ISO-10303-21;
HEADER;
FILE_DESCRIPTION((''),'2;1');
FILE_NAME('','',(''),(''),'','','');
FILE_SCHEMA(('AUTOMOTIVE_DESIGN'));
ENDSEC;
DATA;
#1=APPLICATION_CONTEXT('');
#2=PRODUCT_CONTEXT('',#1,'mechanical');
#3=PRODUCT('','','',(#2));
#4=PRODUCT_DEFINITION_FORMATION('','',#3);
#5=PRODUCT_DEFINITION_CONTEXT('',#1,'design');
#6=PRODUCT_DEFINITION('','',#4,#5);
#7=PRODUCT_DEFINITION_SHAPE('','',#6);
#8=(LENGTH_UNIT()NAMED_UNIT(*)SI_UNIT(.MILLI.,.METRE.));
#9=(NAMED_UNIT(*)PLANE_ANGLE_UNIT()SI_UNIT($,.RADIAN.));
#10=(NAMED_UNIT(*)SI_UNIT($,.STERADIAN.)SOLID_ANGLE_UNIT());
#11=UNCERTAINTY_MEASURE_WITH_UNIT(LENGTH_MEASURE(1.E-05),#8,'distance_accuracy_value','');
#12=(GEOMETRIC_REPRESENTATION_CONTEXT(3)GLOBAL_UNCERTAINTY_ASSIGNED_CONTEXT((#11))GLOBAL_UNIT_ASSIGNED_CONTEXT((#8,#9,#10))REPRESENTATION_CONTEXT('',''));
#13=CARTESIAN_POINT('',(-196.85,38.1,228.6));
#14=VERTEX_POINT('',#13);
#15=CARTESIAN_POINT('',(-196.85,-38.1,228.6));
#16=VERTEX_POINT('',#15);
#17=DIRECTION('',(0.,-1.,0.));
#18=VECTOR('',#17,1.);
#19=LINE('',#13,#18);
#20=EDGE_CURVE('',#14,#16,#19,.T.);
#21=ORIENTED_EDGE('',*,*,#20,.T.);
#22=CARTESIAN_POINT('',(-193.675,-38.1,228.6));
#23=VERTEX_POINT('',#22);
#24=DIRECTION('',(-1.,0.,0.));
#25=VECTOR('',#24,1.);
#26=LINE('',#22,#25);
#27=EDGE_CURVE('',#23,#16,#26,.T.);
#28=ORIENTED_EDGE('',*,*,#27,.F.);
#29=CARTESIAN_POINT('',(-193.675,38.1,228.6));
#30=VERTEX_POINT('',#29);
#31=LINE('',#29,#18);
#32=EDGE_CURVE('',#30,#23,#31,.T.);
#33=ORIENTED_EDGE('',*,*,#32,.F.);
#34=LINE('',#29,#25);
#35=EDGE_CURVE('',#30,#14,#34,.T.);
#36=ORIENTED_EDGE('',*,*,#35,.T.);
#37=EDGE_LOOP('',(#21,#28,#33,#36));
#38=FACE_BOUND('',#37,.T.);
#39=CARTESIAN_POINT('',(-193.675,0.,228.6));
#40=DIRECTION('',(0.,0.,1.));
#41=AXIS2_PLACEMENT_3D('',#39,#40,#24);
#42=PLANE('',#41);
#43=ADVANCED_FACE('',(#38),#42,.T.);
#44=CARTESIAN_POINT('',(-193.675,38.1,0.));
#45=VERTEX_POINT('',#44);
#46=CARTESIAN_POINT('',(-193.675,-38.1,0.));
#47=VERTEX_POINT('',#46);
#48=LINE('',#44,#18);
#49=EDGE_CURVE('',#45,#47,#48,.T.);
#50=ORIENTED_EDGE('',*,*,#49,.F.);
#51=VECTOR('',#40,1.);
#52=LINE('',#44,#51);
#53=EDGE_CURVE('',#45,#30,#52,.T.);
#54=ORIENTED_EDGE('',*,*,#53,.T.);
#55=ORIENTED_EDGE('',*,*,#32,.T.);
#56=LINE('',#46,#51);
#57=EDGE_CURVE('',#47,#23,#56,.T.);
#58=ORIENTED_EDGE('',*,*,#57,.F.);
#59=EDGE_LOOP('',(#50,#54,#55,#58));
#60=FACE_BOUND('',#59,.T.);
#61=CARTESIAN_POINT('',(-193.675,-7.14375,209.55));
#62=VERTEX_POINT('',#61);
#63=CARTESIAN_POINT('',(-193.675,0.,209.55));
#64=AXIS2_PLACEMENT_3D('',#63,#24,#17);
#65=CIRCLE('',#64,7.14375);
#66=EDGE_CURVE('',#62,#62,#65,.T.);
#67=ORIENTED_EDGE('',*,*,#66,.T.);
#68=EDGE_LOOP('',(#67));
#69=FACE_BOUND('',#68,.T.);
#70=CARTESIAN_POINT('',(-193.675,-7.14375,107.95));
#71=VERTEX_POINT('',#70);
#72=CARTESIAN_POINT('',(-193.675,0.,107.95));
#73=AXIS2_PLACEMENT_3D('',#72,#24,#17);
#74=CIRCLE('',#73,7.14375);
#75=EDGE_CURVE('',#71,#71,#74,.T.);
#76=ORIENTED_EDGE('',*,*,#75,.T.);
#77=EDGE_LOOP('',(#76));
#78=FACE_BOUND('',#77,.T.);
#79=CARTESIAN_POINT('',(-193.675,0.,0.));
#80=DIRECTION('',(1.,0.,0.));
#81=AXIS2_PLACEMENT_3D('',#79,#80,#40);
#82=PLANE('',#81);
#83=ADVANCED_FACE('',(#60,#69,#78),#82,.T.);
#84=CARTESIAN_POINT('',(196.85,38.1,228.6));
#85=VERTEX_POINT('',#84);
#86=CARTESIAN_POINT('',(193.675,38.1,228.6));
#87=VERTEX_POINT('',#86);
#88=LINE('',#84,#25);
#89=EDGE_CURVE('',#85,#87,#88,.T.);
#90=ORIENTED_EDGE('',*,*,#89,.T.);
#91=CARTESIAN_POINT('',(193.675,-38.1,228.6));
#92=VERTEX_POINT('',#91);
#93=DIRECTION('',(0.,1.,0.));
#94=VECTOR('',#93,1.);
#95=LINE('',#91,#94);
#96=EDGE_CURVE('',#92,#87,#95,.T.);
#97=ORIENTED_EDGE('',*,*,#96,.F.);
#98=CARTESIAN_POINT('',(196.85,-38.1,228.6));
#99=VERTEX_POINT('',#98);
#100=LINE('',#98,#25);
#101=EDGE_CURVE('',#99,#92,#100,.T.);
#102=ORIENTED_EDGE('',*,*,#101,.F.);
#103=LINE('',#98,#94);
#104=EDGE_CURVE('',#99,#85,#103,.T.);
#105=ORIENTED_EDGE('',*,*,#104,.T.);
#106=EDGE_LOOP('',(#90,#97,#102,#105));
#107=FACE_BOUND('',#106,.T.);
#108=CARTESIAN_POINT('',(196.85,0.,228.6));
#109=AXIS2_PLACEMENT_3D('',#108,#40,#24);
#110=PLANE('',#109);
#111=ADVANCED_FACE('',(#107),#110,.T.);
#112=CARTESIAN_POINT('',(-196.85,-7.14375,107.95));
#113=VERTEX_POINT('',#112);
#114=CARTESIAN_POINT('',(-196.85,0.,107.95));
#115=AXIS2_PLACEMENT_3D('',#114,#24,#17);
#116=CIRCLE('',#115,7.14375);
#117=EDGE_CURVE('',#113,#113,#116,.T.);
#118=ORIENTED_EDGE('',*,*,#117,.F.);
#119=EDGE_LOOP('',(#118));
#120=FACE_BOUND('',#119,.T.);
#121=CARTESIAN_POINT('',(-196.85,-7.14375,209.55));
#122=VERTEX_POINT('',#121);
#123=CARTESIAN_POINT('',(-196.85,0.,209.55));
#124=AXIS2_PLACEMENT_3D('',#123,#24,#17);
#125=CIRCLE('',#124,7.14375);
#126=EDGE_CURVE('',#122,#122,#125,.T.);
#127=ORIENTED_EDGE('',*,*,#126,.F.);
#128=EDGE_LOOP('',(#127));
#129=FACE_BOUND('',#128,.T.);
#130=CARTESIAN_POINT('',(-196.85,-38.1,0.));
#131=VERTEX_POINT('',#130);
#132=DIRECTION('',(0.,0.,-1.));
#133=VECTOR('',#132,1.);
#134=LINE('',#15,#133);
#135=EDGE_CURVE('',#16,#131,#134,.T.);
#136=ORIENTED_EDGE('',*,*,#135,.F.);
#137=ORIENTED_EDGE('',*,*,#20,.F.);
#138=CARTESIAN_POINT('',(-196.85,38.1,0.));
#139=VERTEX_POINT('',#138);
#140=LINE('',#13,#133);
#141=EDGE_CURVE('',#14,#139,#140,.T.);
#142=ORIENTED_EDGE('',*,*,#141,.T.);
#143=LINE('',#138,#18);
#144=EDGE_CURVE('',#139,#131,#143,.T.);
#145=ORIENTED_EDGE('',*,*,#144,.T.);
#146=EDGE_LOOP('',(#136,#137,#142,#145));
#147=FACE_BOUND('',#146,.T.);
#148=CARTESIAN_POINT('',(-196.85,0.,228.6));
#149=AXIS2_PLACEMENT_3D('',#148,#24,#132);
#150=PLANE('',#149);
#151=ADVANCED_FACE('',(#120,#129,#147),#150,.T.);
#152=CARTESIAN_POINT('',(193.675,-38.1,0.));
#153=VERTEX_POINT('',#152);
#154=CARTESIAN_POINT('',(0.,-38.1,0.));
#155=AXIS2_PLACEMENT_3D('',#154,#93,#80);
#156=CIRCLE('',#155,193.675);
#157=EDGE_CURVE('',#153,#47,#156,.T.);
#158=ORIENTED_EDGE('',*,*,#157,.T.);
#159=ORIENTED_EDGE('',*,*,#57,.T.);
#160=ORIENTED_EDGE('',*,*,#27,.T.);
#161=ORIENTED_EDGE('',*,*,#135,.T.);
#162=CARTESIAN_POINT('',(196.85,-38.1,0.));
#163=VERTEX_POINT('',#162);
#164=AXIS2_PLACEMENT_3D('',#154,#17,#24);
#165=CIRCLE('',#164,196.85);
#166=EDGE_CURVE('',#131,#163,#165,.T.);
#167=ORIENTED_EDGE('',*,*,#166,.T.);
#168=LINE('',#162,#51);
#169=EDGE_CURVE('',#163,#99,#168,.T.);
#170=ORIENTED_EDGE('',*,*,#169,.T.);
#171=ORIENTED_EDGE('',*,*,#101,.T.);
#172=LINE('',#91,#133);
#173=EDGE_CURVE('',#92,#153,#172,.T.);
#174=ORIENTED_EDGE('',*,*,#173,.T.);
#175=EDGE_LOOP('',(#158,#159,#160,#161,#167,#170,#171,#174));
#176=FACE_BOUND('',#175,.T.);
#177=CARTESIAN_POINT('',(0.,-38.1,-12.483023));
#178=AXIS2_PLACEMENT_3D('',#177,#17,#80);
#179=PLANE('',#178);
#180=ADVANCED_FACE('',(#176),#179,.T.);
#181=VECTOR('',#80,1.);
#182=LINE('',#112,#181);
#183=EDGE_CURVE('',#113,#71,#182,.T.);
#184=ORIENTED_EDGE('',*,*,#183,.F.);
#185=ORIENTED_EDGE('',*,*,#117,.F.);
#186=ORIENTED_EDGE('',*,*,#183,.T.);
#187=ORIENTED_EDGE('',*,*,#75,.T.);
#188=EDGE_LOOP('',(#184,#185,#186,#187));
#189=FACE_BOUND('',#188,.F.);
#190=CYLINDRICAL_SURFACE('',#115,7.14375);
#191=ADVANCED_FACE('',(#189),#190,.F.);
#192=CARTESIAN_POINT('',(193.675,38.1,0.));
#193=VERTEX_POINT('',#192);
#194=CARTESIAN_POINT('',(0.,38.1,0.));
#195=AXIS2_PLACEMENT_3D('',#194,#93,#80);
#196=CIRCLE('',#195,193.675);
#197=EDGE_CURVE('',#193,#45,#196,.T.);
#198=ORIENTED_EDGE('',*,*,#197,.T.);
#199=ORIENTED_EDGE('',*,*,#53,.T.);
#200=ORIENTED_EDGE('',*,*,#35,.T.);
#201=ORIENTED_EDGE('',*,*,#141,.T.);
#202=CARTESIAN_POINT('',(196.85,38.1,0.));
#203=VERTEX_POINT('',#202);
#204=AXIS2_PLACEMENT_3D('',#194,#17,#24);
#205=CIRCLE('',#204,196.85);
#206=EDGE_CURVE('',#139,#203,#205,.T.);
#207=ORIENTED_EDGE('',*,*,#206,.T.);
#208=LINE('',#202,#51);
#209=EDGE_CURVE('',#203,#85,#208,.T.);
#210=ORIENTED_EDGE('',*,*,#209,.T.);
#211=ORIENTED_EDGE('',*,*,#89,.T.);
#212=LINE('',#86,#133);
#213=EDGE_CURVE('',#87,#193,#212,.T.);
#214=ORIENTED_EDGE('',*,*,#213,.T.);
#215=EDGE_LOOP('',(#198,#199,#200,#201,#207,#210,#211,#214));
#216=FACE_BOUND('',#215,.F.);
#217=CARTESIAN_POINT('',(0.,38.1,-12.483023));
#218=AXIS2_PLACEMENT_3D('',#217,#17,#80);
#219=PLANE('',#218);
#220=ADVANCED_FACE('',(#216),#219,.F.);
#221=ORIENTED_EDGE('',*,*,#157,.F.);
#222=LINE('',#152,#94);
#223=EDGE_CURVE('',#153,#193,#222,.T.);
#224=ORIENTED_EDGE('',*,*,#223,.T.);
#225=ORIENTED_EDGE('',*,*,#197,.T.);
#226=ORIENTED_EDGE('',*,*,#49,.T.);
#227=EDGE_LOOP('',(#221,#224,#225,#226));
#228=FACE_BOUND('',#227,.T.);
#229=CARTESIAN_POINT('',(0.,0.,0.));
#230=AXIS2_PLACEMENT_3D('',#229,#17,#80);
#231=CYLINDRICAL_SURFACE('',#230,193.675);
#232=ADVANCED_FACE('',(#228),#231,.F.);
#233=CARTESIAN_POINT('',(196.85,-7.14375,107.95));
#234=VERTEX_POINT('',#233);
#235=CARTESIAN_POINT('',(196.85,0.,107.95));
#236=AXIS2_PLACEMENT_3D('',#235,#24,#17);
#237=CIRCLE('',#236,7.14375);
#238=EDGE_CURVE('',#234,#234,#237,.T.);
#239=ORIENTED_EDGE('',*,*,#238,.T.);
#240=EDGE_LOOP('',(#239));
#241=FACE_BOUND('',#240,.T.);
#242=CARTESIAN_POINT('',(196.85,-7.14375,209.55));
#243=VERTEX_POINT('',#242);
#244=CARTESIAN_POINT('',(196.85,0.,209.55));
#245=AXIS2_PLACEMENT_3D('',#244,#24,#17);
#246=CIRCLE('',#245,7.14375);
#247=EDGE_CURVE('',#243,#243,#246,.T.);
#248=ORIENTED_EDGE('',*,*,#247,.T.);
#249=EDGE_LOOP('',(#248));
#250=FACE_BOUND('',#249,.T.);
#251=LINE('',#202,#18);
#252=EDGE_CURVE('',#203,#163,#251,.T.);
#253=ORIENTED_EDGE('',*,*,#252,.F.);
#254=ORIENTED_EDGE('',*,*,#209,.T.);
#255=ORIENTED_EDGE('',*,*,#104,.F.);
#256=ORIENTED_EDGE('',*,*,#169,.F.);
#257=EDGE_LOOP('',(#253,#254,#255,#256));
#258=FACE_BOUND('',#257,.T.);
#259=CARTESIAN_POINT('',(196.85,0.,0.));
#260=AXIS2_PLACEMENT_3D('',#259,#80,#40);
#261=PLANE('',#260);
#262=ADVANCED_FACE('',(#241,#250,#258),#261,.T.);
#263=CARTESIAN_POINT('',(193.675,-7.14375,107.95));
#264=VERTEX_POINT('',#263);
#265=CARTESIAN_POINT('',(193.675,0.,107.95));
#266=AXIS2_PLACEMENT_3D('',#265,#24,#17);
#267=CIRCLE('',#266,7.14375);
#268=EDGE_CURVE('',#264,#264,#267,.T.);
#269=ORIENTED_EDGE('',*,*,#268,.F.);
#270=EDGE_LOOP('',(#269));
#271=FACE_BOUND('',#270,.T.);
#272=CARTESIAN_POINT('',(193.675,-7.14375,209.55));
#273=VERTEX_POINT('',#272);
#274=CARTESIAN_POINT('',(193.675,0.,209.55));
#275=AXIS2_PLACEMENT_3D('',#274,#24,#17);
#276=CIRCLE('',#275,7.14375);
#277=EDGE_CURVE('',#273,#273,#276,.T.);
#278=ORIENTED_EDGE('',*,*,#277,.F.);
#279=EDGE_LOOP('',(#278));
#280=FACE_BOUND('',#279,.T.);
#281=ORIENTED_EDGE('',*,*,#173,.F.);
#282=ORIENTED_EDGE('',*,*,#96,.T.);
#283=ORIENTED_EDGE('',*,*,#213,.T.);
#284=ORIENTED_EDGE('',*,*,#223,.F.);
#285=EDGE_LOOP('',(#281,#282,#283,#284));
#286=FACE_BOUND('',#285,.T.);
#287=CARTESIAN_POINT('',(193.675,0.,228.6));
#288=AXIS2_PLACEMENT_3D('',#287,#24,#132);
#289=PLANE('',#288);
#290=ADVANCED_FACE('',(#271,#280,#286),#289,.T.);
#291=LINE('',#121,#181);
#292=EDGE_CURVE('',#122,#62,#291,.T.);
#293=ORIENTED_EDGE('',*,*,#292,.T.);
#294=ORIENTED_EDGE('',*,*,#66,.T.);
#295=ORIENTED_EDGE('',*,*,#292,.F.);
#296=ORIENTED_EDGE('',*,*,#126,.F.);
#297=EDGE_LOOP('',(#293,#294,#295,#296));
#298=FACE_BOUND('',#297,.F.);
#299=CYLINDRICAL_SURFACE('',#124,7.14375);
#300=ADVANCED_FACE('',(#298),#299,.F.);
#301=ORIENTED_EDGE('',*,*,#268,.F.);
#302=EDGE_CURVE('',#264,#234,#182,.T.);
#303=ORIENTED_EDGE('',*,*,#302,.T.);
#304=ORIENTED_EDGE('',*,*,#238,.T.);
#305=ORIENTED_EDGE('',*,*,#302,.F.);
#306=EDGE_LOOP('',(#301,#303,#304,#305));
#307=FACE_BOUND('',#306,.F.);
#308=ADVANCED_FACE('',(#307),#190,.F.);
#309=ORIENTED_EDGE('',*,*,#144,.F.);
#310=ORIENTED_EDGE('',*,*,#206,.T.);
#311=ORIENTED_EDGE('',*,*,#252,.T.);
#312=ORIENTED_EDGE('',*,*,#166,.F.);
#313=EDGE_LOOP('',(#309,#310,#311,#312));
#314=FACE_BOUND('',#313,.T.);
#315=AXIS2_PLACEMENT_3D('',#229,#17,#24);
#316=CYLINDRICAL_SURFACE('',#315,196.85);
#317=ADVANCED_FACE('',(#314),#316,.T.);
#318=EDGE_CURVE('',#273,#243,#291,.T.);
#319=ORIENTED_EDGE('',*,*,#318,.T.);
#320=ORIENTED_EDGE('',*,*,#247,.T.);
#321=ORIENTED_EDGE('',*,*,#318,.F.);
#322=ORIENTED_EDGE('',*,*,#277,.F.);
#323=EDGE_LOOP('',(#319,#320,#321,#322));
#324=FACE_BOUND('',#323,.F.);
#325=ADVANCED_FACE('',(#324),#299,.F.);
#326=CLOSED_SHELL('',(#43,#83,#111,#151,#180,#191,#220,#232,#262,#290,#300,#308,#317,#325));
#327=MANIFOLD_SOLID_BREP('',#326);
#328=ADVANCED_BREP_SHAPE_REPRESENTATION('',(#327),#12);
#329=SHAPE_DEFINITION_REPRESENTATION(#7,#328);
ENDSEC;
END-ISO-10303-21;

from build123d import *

# Parameters (mm, degrees)
F1_DEPTH = 38.1
F2_R     = 7.14375
F3_DEPTH = 508


with BuildPart() as f1:
    # F0 (on Front) → F1 (new body, symmetric)
    with BuildSketch(Plane.XZ):
        with BuildLine():
            ThreePointArc((193.675, 0), (0, -193.675), (-193.675, 0))
            Line((-193.675, 0), (-193.675, 228.6))
            Line((-193.675, 228.6), (-196.85, 228.6))
            Line((-196.85, 228.6), (-196.85, 0))
            ThreePointArc((-196.85, 0), (0, -196.85), (196.85, 0))
            Line((196.85, 0), (196.85, 228.6))
            Line((196.85, 228.6), (193.675, 228.6))
            Line((193.675, 228.6), (193.675, 0))
        make_face()
    extrude(amount=F1_DEPTH, both=True)

    # F2 (on face) → F3 (cut)
    with BuildSketch(Plane(origin=(-196.85, 0, 0), x_dir=(0, -1, 0), z_dir=(-1, 0, 0))):
        with Locations((0, 209.55)):
            Circle(F2_R)
        with Locations((0, 107.95)):
            Circle(F2_R)
    extrude(amount=-F3_DEPTH, mode=Mode.SUBTRACT)


solid = f1.part
